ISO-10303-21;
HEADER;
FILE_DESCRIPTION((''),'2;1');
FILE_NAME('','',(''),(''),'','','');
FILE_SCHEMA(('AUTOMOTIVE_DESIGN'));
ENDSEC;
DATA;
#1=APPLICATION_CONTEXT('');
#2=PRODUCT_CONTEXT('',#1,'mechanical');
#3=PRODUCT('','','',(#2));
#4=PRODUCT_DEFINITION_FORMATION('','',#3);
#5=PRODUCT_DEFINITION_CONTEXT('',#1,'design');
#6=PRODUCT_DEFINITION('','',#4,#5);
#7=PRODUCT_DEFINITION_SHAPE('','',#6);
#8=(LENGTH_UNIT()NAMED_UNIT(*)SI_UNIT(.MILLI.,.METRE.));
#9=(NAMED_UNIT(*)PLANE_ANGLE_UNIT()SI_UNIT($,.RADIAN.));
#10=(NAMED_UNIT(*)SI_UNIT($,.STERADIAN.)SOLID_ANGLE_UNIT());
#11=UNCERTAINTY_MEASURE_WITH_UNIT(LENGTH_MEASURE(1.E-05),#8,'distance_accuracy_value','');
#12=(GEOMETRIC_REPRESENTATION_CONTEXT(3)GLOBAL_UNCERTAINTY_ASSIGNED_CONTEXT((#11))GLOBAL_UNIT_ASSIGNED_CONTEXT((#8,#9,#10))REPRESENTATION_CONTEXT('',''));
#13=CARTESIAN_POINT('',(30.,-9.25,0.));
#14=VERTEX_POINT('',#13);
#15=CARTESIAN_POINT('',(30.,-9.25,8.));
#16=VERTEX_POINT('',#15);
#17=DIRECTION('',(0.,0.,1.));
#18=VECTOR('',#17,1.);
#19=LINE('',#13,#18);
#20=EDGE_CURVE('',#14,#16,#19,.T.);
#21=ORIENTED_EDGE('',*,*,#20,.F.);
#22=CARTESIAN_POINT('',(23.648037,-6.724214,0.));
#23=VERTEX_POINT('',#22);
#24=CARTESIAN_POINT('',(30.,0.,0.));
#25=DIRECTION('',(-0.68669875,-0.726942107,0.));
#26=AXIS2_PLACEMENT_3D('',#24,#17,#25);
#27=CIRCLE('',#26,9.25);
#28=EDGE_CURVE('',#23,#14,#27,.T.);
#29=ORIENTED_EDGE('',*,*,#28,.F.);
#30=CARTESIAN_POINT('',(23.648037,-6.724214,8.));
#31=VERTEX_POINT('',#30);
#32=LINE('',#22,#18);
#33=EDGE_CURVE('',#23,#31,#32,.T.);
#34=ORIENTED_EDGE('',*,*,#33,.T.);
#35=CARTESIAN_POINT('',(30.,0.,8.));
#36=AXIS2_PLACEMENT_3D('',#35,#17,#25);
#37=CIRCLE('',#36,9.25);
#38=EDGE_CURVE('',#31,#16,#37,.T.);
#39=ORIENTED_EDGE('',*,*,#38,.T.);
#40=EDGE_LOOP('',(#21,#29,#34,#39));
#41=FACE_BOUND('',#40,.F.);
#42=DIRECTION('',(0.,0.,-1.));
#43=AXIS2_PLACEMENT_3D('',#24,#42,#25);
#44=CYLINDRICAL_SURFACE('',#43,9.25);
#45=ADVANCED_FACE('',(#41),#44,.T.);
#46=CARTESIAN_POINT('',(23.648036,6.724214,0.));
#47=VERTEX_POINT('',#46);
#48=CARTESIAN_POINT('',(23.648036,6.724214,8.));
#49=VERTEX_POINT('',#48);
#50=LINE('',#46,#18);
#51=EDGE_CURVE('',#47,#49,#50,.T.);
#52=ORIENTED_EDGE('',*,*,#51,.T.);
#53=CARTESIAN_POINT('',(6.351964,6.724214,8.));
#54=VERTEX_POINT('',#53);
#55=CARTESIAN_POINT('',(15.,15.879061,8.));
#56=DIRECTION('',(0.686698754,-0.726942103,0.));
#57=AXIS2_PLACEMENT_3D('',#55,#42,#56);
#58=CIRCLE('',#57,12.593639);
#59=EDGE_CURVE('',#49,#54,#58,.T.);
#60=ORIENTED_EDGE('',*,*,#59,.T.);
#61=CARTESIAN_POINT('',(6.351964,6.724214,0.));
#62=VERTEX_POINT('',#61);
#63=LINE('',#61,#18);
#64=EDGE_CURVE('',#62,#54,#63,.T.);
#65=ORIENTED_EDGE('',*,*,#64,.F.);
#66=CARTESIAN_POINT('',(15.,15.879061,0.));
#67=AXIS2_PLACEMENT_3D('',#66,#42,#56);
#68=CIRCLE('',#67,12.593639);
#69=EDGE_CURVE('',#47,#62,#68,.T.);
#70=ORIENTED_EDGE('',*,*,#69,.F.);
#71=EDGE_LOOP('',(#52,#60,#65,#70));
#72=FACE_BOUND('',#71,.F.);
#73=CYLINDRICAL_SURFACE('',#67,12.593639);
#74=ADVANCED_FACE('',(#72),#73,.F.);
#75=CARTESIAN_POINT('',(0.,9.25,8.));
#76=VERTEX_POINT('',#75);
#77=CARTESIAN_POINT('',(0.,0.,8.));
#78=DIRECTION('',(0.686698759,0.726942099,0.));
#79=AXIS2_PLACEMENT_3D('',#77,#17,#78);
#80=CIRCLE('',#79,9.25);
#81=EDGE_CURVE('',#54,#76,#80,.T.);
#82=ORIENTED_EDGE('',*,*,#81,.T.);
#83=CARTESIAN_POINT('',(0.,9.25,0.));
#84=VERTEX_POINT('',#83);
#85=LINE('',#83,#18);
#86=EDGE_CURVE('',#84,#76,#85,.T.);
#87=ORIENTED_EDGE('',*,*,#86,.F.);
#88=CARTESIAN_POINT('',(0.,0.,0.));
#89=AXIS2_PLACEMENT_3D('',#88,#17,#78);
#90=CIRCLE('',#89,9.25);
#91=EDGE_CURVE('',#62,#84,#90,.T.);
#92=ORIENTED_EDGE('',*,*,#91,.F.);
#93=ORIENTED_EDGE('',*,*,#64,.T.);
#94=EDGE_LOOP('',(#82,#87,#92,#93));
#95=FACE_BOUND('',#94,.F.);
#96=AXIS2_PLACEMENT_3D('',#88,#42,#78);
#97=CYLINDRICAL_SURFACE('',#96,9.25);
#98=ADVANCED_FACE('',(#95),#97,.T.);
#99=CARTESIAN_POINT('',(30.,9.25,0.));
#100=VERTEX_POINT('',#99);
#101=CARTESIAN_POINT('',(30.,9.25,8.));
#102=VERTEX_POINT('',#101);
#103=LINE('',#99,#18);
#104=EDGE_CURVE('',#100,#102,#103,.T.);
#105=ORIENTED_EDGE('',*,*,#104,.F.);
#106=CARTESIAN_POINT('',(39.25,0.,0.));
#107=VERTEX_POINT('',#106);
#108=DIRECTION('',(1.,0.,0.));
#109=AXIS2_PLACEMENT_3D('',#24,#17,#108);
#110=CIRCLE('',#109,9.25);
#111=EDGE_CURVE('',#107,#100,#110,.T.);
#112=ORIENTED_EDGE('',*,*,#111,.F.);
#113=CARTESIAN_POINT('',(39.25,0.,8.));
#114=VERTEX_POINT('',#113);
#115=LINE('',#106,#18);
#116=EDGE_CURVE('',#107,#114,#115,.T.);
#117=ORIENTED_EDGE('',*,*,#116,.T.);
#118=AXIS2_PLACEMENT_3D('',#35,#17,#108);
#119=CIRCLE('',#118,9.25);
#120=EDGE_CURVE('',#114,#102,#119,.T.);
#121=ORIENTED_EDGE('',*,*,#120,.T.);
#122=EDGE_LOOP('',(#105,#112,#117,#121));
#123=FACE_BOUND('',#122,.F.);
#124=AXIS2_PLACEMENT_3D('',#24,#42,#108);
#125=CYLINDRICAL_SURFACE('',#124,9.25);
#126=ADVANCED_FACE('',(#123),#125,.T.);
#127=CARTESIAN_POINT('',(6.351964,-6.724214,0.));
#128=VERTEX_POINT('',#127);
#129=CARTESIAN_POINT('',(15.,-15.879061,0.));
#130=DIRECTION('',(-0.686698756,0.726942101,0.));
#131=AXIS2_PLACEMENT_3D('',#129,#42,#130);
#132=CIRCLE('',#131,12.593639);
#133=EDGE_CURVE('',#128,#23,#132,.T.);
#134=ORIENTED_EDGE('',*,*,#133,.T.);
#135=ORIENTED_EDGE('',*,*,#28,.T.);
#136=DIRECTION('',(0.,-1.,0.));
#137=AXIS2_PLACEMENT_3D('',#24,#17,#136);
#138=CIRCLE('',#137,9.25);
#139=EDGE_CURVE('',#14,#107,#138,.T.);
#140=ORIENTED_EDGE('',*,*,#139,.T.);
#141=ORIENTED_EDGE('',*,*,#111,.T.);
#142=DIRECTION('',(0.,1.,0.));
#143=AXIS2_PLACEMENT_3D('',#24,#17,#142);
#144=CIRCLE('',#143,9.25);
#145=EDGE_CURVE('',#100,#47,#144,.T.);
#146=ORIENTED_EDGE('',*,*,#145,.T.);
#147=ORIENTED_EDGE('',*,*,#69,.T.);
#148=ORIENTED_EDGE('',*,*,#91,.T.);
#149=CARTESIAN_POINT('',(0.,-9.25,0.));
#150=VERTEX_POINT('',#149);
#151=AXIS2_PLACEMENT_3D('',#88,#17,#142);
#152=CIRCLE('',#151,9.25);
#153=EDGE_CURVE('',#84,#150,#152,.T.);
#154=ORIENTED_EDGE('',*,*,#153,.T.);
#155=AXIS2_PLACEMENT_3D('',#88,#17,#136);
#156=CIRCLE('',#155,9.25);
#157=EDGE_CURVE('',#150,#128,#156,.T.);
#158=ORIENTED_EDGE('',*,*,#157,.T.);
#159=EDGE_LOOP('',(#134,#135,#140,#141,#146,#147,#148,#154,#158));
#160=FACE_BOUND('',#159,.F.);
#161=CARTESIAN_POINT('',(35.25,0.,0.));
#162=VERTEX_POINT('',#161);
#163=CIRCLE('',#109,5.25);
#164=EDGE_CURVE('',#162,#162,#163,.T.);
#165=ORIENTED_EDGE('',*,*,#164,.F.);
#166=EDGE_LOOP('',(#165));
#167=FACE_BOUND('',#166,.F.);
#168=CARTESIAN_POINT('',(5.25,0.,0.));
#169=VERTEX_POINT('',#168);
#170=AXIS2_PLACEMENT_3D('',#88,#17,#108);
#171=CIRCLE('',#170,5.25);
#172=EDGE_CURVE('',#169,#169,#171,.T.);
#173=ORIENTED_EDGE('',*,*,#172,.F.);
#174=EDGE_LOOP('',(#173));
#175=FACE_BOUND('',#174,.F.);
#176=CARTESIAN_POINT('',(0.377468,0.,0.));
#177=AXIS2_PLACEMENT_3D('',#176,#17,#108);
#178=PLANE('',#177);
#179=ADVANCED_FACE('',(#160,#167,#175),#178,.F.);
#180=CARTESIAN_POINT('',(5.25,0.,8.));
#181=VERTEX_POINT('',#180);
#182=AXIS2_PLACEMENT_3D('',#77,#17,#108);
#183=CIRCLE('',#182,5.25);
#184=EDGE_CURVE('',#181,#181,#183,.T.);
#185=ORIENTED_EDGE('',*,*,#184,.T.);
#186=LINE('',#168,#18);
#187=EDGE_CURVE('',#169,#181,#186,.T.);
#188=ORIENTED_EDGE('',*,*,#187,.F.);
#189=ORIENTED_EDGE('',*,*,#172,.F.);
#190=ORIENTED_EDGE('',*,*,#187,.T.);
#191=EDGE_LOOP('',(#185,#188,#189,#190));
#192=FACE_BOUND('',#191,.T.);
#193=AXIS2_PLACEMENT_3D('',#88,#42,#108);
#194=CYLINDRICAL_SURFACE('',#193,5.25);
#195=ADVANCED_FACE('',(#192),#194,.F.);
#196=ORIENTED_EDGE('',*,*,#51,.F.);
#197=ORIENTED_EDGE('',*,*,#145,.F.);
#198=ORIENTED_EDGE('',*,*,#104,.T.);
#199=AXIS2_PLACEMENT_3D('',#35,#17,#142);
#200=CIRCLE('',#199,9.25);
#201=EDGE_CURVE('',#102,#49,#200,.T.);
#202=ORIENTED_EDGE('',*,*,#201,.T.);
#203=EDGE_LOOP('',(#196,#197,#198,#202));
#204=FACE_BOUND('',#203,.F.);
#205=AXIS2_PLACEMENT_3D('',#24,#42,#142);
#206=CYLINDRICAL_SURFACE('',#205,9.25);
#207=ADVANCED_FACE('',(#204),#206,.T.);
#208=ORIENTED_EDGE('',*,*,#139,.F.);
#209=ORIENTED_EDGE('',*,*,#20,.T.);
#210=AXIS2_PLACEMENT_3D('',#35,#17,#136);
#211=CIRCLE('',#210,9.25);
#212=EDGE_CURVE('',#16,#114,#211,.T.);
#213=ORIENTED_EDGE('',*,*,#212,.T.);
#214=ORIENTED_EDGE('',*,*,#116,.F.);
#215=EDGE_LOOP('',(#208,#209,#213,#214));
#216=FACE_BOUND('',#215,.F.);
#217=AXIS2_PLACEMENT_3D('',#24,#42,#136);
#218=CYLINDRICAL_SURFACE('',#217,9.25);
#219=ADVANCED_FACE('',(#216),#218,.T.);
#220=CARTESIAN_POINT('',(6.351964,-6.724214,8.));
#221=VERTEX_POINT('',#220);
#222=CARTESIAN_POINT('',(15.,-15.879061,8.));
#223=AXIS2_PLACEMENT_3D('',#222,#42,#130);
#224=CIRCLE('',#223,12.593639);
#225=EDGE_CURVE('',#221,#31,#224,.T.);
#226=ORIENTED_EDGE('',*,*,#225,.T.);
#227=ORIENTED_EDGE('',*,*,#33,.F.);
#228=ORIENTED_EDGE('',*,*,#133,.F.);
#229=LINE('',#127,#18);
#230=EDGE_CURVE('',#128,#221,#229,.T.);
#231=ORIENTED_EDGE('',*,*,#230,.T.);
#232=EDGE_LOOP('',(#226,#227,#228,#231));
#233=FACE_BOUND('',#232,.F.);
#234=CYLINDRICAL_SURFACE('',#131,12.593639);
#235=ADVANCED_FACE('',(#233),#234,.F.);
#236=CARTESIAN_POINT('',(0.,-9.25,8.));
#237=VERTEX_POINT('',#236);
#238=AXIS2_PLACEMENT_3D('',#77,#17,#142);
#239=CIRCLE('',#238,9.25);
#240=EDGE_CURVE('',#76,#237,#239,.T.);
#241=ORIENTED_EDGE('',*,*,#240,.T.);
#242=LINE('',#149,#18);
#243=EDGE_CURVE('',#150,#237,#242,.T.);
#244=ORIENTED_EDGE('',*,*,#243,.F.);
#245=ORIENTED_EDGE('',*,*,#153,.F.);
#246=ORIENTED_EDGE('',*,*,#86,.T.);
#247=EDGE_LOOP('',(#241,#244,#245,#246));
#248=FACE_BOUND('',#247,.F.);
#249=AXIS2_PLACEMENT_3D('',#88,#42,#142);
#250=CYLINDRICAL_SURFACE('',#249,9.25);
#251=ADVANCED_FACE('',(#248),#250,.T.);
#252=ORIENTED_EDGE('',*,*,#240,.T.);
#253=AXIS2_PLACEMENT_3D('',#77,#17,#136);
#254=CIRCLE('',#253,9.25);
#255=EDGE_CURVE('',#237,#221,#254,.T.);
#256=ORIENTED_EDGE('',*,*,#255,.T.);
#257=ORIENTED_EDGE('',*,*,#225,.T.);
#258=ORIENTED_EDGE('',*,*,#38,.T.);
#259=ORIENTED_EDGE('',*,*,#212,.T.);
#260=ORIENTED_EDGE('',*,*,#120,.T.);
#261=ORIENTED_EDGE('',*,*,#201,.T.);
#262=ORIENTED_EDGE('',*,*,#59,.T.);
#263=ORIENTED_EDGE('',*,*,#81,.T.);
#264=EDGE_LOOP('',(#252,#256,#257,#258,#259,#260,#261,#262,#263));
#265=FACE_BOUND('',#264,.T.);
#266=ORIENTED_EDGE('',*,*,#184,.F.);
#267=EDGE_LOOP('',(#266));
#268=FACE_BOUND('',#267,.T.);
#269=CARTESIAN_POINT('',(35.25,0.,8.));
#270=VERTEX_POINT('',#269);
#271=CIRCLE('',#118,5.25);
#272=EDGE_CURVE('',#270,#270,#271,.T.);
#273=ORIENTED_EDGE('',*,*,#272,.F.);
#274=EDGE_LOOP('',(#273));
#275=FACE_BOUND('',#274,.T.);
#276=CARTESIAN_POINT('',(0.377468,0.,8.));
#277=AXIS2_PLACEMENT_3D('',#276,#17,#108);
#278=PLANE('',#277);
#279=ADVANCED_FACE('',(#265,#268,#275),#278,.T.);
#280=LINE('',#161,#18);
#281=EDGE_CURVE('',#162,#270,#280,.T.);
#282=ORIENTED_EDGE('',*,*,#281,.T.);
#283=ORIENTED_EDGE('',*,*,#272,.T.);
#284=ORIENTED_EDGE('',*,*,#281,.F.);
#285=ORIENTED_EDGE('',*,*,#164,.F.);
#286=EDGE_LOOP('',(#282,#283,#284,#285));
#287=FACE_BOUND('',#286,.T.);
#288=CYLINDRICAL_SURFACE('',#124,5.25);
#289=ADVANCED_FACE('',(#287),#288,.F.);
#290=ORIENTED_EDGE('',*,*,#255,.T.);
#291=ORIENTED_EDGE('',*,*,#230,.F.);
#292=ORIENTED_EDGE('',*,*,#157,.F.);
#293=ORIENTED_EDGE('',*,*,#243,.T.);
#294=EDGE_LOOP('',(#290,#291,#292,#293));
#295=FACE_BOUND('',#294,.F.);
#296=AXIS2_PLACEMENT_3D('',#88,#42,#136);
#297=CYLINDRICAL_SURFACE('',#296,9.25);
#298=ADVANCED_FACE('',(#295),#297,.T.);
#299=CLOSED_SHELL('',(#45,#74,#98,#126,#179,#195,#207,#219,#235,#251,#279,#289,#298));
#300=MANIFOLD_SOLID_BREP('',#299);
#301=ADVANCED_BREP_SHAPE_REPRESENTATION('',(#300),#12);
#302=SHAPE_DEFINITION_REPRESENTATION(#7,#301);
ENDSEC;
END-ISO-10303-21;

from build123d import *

# Parameters (mm, degrees)
F0_R     = 5.25
F1_DEPTH = 8


with BuildPart() as f1:
    # F0 (on Top) → F1 (new body)
    with BuildSketch(Plane.XY):
        with BuildLine():
            ThreePointArc((6.3519635184, 6.7242144122), (3.4178587367, 8.5953907216), (0, 9.25))
            ThreePointArc((0, 9.25), (-9.25, 0), (0, -9.25))
            ThreePointArc((0, -9.25), (3.4178587367, -8.5953907216), (6.3519635184, -6.7242144122))
            ThreePointArc((6.3519635184, -6.7242144122), (8.494650156, -3.6610679763), (9.25, 0))
            ThreePointArc((9.25, 0), (8.494650156, 3.6610679763), (6.3519635184, 6.7242144122))
        make_face()
        Circle(F0_R, mode=Mode.SUBTRACT)
        with BuildLine():
            ThreePointArc((30, 9.25), (26.5821412521, 8.5953907171), (23.6480364641, 6.7242143956))
            ThreePointArc((23.6480364641, 6.7242143956), (20.75, -7.05e-08), (23.6480365666, -6.7242144924))
            ThreePointArc((23.6480365666, -6.7242144924), (26.5821413177, -8.5953907432), (30, -9.25))
            ThreePointArc((30, -9.25), (36.540737726, -6.540737726), (39.25, 0))
            ThreePointArc((39.25, 0), (36.540737726, 6.540737726), (30, 9.25))
        make_face()
        with Locations((30, 0)):
            Circle(F0_R, mode=Mode.SUBTRACT)
        with BuildLine():
            ThreePointArc((23.6480364641, 6.7242143956), (14.999999988, 3.2854217114), (6.3519635184, 6.7242144122))
            ThreePointArc((6.3519635184, 6.7242144122), (8.494650156, 3.6610679763), (9.25, 0))
            ThreePointArc((9.25, 0), (8.494650156, -3.6610679763), (6.3519635184, -6.7242144122))
            ThreePointArc((6.3519635184, -6.7242144122), (15.0000000585, -3.2854217114), (23.6480365666, -6.7242144924))
            ThreePointArc((23.6480365666, -6.7242144924), (20.75, -7.05e-08), (23.6480364641, 6.7242143956))
        make_face()
    extrude(amount=F1_DEPTH)


solid = f1.part
